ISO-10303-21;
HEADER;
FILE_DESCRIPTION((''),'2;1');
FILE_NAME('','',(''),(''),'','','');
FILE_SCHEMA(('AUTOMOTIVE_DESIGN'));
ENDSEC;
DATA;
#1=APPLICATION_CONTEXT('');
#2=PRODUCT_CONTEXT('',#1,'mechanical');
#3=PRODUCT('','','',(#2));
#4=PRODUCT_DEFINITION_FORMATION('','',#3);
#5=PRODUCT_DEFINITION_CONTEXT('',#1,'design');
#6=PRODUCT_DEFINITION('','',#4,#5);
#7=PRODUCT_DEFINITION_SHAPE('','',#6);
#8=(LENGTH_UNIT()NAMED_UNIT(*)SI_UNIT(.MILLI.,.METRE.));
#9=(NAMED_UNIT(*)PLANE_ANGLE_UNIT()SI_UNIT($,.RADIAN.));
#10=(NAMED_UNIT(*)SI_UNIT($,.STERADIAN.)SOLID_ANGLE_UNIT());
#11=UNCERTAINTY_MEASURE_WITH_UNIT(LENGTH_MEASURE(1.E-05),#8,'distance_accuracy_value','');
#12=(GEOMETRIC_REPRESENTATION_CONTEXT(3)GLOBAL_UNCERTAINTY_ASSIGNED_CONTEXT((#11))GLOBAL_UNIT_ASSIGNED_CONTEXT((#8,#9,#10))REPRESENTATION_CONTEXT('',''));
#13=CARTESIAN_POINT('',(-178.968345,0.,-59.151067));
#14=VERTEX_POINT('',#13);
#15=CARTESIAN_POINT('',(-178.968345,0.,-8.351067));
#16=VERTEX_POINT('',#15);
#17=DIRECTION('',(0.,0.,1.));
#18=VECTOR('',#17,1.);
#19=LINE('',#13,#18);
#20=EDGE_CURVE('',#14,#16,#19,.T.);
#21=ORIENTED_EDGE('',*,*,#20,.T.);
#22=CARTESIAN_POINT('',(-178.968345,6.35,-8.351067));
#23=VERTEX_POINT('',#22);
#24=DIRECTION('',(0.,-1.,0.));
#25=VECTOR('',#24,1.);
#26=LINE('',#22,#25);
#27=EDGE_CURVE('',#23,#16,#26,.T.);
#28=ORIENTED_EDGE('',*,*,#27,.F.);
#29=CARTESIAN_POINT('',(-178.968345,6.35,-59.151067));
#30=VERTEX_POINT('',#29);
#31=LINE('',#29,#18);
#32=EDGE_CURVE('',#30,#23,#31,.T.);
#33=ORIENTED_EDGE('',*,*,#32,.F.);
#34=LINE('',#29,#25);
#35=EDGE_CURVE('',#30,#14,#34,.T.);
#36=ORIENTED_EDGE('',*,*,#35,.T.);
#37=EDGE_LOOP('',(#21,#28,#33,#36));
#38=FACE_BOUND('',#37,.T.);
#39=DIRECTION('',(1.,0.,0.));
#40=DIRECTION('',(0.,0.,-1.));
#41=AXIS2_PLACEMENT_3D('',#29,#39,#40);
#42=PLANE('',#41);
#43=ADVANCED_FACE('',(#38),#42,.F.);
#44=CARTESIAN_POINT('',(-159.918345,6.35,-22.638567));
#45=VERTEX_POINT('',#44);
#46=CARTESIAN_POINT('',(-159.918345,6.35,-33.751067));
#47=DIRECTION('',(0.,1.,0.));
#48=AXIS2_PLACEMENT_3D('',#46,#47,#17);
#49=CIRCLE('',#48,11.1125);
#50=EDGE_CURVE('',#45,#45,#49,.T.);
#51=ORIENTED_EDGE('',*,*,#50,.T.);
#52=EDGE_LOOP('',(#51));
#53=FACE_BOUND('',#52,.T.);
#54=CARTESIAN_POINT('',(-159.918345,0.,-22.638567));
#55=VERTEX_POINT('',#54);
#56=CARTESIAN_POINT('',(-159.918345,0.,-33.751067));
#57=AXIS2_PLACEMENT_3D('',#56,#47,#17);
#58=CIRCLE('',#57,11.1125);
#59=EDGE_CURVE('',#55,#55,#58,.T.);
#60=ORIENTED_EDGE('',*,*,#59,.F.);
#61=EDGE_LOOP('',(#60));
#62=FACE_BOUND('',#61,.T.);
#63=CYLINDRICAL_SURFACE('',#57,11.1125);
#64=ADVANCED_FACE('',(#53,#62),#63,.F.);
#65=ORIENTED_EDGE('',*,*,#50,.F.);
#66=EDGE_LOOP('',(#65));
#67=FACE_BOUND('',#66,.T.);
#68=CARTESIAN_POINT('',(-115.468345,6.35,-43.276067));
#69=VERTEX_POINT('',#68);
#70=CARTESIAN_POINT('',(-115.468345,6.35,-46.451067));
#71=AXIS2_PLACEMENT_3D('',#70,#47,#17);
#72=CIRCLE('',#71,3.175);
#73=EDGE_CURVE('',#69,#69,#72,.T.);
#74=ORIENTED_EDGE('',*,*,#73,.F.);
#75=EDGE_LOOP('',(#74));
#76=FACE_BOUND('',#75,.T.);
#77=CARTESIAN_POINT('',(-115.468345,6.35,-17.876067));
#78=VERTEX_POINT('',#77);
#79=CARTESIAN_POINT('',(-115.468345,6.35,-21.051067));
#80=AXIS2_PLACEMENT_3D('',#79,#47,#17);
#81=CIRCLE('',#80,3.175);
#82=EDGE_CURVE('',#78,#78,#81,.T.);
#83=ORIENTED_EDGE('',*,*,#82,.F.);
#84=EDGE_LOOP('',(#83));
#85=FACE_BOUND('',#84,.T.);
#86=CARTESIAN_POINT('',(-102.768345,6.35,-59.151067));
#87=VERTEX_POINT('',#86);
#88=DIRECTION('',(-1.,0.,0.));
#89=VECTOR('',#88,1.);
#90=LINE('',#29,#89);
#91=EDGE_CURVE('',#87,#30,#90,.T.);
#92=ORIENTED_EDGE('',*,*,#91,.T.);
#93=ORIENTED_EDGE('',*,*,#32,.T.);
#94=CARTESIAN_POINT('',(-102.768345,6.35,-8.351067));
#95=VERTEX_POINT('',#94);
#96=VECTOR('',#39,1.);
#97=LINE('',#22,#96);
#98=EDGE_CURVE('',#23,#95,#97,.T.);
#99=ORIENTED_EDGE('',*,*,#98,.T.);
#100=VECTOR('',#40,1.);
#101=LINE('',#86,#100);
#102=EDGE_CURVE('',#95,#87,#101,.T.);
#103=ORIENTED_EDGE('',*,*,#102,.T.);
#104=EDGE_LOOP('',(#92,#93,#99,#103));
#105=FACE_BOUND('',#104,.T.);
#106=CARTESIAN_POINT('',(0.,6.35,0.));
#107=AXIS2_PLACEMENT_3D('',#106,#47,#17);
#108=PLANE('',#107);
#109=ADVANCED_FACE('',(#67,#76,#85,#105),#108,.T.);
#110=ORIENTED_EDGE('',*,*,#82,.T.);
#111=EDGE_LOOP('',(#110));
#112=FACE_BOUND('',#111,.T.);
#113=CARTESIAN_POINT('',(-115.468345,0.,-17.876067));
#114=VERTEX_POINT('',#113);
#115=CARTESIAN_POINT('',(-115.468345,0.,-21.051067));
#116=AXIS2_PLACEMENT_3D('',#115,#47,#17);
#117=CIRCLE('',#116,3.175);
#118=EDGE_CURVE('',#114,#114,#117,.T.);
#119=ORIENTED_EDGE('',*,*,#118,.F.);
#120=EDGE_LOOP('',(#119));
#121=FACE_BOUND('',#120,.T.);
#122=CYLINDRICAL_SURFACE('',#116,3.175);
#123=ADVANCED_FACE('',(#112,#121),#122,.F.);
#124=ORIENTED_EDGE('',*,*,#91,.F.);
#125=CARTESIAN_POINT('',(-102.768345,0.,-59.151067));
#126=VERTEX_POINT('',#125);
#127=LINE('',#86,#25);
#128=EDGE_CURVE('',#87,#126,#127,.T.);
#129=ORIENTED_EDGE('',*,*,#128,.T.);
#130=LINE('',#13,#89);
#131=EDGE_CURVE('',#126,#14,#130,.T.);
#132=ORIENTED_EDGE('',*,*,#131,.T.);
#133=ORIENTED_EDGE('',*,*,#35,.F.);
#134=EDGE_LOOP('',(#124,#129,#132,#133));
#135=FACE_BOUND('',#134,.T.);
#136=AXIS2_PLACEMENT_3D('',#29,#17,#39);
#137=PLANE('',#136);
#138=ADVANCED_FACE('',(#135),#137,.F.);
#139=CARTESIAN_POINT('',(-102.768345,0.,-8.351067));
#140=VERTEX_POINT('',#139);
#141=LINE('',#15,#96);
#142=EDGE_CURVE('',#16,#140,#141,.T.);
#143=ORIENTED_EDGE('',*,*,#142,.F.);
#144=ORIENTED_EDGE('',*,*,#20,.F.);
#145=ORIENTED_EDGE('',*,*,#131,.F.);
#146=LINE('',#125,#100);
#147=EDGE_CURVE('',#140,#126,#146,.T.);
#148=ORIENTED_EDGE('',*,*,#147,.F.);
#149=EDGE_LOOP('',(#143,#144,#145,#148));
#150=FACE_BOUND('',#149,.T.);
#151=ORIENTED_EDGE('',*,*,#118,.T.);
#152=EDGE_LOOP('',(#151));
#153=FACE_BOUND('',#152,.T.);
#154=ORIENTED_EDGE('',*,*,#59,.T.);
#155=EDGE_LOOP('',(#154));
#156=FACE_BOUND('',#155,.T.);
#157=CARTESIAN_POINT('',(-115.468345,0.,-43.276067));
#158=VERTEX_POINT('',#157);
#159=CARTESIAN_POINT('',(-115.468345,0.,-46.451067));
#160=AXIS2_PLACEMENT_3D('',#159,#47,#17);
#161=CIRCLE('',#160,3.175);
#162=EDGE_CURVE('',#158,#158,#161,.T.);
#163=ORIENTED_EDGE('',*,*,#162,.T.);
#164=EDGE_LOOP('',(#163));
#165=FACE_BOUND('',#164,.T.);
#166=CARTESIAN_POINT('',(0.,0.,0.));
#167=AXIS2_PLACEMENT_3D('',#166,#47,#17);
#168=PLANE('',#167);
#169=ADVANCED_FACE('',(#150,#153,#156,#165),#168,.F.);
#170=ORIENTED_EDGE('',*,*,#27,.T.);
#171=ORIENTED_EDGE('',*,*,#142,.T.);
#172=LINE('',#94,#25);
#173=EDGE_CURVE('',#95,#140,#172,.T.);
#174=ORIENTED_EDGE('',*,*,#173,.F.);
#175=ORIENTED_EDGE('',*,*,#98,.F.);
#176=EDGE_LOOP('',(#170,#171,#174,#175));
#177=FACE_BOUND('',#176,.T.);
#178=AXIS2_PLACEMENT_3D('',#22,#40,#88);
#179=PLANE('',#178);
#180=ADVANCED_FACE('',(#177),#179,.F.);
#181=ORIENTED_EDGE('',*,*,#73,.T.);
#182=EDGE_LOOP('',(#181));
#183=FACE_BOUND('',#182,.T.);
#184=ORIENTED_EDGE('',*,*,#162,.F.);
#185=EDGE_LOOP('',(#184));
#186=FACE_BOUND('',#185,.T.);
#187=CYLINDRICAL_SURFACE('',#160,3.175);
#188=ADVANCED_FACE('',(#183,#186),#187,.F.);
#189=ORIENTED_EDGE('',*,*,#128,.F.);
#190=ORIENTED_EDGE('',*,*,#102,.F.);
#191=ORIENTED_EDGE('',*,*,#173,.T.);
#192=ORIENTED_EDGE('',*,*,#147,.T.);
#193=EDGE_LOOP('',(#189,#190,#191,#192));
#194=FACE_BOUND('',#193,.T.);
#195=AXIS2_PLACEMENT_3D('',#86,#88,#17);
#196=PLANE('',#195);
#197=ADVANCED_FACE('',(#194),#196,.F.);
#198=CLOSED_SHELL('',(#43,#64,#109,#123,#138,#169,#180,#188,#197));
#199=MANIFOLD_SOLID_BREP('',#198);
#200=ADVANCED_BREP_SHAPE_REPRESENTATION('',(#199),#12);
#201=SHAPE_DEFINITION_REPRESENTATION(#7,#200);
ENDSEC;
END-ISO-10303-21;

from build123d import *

# Parameters (mm, degrees)
SKETCH1_W           = 76.2
SKETCH1_H           = 50.8
BOSS_EXTRUDE1_DEPTH = 6.35
SKETCH2_R           = 11.1125
SKETCH2_R_2         = 3.175
CUT_EXTRUDE1_DEPTH  = 189.597029751


with BuildPart() as part:
    # Sketch1 → Boss-Extrude1 (new body)
    with BuildSketch(Plane(origin=(0, 0, 0), x_dir=(1, 0, 0), z_dir=(0, 1, 0))):
        with Locations((-140.868344582, 33.751067349)):
            Rectangle(SKETCH1_W, SKETCH1_H)
    extrude(amount=BOSS_EXTRUDE1_DEPTH)

    # Sketch2 → Cut-Extrude1 (cut, through all)
    with BuildSketch(Plane(origin=(0, 6.35, 0), x_dir=(1, 0, 0), z_dir=(0, 1, 0))):
        with Locations(Location((-159.918344582, 33.751067349, 0), (0, 0, 270))):
            Circle(SKETCH2_R)
        with Locations(Location((-115.468344582, 46.451067349, 0), (0, 0, 270))):
            Circle(SKETCH2_R_2)
        with Locations(Location((-115.468344582, 21.051067349, 0), (0, 0, 270))):
            Circle(SKETCH2_R_2)
    extrude(amount=-CUT_EXTRUDE1_DEPTH, mode=Mode.SUBTRACT)


solid = part.part
